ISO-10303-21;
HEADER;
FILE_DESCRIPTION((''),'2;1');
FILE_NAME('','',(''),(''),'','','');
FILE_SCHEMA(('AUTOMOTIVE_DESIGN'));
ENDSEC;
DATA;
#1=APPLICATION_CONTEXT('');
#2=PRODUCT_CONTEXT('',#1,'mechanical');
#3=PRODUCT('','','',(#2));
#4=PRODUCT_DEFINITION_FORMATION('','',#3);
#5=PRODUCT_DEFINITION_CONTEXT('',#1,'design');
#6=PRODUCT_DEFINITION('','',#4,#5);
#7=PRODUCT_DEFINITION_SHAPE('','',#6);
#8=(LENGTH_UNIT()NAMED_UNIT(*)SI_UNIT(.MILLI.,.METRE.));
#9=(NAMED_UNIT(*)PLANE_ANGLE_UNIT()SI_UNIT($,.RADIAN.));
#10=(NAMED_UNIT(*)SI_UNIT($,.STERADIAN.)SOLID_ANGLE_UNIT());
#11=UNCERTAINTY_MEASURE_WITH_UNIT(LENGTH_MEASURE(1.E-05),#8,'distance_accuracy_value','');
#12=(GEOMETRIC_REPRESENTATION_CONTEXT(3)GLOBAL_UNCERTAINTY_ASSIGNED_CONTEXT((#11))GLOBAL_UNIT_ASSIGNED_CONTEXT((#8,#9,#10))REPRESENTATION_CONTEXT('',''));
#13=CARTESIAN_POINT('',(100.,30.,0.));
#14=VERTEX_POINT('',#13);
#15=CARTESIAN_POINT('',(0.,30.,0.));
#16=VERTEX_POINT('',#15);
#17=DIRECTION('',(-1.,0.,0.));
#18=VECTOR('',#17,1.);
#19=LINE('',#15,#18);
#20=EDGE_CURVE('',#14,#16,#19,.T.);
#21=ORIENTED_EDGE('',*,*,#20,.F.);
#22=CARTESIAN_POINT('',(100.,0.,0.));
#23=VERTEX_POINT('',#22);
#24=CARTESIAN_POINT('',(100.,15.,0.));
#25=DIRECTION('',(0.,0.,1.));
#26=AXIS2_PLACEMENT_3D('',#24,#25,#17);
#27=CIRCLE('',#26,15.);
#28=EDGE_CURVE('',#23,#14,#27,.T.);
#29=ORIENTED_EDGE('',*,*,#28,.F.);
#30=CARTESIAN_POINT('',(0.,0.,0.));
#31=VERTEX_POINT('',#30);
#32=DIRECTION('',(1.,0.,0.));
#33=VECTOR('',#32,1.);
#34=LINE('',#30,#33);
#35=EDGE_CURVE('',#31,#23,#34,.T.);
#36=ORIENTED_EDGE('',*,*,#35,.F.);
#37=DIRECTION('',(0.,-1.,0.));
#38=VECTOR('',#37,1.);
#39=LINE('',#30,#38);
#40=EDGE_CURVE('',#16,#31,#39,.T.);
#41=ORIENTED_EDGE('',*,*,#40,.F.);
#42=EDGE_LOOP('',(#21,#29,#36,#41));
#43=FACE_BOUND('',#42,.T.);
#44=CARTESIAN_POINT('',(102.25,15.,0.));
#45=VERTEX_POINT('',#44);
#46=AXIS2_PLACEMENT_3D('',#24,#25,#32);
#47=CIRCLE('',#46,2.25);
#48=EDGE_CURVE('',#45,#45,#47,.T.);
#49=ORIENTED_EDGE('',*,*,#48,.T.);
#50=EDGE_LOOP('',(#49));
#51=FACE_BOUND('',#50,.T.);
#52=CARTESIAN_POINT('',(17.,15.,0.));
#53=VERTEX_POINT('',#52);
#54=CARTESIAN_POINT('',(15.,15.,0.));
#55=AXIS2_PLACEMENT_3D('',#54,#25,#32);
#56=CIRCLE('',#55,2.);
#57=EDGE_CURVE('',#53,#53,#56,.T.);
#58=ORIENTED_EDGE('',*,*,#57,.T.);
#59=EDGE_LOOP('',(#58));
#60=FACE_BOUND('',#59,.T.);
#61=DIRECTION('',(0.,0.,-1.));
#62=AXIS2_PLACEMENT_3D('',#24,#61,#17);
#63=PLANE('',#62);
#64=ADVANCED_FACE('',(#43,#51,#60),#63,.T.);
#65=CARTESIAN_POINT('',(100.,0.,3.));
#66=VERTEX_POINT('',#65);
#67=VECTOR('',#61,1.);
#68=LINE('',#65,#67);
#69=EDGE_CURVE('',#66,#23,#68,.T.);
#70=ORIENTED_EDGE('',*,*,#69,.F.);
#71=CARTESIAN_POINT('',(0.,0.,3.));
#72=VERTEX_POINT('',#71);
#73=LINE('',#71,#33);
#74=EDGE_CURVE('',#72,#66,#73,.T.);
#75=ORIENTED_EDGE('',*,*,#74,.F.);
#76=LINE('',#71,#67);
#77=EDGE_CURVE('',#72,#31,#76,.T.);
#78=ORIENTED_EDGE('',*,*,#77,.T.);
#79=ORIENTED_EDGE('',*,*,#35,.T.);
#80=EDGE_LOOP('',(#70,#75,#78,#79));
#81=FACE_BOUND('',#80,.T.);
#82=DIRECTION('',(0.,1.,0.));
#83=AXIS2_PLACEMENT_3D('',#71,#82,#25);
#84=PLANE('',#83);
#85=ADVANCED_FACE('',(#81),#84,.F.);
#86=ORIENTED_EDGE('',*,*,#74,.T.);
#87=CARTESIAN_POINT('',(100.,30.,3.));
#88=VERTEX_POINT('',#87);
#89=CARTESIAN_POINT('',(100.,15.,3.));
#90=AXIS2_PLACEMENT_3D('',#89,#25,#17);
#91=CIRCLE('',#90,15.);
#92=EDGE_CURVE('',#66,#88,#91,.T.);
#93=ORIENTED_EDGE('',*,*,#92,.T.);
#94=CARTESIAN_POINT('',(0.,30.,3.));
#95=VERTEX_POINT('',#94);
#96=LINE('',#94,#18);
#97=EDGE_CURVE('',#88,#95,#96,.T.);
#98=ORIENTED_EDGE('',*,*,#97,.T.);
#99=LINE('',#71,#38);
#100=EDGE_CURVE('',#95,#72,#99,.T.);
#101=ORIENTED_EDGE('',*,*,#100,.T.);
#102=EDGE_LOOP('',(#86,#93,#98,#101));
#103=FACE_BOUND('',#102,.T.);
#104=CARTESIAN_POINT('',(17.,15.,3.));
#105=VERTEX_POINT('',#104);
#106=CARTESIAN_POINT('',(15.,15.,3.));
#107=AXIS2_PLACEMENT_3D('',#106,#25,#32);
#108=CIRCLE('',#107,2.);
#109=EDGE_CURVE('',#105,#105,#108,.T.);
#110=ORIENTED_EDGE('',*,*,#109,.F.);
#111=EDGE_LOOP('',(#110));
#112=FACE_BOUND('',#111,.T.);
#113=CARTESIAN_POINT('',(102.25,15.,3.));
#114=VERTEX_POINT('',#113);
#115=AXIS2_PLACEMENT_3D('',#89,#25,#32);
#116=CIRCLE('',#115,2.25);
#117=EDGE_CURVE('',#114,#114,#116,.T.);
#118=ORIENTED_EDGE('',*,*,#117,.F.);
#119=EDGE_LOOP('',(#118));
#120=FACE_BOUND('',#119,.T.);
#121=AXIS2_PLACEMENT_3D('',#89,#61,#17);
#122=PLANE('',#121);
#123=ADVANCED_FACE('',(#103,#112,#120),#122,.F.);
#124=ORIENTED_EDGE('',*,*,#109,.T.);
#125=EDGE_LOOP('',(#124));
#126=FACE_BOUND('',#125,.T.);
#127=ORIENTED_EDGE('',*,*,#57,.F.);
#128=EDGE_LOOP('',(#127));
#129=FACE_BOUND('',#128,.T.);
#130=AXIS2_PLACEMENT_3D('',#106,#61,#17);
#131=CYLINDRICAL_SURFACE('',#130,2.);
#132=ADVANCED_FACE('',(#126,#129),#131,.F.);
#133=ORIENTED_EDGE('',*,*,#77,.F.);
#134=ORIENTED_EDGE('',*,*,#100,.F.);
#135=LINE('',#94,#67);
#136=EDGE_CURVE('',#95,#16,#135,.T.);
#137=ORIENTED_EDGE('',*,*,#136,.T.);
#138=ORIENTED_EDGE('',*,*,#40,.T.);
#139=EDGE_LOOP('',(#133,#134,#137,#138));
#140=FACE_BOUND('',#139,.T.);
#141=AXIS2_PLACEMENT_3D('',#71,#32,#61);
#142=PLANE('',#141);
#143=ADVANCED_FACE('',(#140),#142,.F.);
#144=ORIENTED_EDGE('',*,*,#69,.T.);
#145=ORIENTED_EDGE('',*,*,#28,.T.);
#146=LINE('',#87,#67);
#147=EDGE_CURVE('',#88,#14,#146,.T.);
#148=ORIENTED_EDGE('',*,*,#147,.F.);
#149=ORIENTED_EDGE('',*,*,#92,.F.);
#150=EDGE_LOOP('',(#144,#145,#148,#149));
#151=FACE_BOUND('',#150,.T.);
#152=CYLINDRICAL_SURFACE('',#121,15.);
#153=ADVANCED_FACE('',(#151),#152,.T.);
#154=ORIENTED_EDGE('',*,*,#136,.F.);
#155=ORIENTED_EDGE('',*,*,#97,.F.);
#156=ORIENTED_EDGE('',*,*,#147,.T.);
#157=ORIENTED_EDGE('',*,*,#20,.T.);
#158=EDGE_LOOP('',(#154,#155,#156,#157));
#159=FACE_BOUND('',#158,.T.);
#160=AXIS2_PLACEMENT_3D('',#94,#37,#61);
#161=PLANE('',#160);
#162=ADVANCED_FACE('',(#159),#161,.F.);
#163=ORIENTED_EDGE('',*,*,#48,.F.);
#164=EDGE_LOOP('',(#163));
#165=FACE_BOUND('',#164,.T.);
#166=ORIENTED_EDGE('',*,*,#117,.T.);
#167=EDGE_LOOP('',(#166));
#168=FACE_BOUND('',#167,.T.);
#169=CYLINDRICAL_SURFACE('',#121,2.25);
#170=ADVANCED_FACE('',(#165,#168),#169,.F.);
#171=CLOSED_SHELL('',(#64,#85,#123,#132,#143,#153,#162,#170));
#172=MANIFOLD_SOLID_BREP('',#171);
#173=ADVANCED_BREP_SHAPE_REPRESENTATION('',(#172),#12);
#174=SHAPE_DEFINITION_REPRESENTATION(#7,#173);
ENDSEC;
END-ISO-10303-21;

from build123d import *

# Parameters (mm, degrees)
CROQUIS1_R              = 2
CROQUIS1_R_2            = 2.25
SALIENTE_EXTRUIR2_DEPTH = 3


with BuildPart() as part:
    # Croquis1 → Saliente-Extruir2 (new body)
    with BuildSketch(Plane.XY):
        with BuildLine():
            Line((0, 0), (100, 0))
            ThreePointArc((100, 0), (115, 15), (100, 30))
            Line((100, 30), (0, 30))
            Line((0, 30), (0, 0))
        make_face()
        with Locations((15, 15)):
            Circle(CROQUIS1_R, mode=Mode.SUBTRACT)
        with Locations((100, 15)):
            Circle(CROQUIS1_R_2, mode=Mode.SUBTRACT)
    extrude(amount=SALIENTE_EXTRUIR2_DEPTH)


solid = part.part
